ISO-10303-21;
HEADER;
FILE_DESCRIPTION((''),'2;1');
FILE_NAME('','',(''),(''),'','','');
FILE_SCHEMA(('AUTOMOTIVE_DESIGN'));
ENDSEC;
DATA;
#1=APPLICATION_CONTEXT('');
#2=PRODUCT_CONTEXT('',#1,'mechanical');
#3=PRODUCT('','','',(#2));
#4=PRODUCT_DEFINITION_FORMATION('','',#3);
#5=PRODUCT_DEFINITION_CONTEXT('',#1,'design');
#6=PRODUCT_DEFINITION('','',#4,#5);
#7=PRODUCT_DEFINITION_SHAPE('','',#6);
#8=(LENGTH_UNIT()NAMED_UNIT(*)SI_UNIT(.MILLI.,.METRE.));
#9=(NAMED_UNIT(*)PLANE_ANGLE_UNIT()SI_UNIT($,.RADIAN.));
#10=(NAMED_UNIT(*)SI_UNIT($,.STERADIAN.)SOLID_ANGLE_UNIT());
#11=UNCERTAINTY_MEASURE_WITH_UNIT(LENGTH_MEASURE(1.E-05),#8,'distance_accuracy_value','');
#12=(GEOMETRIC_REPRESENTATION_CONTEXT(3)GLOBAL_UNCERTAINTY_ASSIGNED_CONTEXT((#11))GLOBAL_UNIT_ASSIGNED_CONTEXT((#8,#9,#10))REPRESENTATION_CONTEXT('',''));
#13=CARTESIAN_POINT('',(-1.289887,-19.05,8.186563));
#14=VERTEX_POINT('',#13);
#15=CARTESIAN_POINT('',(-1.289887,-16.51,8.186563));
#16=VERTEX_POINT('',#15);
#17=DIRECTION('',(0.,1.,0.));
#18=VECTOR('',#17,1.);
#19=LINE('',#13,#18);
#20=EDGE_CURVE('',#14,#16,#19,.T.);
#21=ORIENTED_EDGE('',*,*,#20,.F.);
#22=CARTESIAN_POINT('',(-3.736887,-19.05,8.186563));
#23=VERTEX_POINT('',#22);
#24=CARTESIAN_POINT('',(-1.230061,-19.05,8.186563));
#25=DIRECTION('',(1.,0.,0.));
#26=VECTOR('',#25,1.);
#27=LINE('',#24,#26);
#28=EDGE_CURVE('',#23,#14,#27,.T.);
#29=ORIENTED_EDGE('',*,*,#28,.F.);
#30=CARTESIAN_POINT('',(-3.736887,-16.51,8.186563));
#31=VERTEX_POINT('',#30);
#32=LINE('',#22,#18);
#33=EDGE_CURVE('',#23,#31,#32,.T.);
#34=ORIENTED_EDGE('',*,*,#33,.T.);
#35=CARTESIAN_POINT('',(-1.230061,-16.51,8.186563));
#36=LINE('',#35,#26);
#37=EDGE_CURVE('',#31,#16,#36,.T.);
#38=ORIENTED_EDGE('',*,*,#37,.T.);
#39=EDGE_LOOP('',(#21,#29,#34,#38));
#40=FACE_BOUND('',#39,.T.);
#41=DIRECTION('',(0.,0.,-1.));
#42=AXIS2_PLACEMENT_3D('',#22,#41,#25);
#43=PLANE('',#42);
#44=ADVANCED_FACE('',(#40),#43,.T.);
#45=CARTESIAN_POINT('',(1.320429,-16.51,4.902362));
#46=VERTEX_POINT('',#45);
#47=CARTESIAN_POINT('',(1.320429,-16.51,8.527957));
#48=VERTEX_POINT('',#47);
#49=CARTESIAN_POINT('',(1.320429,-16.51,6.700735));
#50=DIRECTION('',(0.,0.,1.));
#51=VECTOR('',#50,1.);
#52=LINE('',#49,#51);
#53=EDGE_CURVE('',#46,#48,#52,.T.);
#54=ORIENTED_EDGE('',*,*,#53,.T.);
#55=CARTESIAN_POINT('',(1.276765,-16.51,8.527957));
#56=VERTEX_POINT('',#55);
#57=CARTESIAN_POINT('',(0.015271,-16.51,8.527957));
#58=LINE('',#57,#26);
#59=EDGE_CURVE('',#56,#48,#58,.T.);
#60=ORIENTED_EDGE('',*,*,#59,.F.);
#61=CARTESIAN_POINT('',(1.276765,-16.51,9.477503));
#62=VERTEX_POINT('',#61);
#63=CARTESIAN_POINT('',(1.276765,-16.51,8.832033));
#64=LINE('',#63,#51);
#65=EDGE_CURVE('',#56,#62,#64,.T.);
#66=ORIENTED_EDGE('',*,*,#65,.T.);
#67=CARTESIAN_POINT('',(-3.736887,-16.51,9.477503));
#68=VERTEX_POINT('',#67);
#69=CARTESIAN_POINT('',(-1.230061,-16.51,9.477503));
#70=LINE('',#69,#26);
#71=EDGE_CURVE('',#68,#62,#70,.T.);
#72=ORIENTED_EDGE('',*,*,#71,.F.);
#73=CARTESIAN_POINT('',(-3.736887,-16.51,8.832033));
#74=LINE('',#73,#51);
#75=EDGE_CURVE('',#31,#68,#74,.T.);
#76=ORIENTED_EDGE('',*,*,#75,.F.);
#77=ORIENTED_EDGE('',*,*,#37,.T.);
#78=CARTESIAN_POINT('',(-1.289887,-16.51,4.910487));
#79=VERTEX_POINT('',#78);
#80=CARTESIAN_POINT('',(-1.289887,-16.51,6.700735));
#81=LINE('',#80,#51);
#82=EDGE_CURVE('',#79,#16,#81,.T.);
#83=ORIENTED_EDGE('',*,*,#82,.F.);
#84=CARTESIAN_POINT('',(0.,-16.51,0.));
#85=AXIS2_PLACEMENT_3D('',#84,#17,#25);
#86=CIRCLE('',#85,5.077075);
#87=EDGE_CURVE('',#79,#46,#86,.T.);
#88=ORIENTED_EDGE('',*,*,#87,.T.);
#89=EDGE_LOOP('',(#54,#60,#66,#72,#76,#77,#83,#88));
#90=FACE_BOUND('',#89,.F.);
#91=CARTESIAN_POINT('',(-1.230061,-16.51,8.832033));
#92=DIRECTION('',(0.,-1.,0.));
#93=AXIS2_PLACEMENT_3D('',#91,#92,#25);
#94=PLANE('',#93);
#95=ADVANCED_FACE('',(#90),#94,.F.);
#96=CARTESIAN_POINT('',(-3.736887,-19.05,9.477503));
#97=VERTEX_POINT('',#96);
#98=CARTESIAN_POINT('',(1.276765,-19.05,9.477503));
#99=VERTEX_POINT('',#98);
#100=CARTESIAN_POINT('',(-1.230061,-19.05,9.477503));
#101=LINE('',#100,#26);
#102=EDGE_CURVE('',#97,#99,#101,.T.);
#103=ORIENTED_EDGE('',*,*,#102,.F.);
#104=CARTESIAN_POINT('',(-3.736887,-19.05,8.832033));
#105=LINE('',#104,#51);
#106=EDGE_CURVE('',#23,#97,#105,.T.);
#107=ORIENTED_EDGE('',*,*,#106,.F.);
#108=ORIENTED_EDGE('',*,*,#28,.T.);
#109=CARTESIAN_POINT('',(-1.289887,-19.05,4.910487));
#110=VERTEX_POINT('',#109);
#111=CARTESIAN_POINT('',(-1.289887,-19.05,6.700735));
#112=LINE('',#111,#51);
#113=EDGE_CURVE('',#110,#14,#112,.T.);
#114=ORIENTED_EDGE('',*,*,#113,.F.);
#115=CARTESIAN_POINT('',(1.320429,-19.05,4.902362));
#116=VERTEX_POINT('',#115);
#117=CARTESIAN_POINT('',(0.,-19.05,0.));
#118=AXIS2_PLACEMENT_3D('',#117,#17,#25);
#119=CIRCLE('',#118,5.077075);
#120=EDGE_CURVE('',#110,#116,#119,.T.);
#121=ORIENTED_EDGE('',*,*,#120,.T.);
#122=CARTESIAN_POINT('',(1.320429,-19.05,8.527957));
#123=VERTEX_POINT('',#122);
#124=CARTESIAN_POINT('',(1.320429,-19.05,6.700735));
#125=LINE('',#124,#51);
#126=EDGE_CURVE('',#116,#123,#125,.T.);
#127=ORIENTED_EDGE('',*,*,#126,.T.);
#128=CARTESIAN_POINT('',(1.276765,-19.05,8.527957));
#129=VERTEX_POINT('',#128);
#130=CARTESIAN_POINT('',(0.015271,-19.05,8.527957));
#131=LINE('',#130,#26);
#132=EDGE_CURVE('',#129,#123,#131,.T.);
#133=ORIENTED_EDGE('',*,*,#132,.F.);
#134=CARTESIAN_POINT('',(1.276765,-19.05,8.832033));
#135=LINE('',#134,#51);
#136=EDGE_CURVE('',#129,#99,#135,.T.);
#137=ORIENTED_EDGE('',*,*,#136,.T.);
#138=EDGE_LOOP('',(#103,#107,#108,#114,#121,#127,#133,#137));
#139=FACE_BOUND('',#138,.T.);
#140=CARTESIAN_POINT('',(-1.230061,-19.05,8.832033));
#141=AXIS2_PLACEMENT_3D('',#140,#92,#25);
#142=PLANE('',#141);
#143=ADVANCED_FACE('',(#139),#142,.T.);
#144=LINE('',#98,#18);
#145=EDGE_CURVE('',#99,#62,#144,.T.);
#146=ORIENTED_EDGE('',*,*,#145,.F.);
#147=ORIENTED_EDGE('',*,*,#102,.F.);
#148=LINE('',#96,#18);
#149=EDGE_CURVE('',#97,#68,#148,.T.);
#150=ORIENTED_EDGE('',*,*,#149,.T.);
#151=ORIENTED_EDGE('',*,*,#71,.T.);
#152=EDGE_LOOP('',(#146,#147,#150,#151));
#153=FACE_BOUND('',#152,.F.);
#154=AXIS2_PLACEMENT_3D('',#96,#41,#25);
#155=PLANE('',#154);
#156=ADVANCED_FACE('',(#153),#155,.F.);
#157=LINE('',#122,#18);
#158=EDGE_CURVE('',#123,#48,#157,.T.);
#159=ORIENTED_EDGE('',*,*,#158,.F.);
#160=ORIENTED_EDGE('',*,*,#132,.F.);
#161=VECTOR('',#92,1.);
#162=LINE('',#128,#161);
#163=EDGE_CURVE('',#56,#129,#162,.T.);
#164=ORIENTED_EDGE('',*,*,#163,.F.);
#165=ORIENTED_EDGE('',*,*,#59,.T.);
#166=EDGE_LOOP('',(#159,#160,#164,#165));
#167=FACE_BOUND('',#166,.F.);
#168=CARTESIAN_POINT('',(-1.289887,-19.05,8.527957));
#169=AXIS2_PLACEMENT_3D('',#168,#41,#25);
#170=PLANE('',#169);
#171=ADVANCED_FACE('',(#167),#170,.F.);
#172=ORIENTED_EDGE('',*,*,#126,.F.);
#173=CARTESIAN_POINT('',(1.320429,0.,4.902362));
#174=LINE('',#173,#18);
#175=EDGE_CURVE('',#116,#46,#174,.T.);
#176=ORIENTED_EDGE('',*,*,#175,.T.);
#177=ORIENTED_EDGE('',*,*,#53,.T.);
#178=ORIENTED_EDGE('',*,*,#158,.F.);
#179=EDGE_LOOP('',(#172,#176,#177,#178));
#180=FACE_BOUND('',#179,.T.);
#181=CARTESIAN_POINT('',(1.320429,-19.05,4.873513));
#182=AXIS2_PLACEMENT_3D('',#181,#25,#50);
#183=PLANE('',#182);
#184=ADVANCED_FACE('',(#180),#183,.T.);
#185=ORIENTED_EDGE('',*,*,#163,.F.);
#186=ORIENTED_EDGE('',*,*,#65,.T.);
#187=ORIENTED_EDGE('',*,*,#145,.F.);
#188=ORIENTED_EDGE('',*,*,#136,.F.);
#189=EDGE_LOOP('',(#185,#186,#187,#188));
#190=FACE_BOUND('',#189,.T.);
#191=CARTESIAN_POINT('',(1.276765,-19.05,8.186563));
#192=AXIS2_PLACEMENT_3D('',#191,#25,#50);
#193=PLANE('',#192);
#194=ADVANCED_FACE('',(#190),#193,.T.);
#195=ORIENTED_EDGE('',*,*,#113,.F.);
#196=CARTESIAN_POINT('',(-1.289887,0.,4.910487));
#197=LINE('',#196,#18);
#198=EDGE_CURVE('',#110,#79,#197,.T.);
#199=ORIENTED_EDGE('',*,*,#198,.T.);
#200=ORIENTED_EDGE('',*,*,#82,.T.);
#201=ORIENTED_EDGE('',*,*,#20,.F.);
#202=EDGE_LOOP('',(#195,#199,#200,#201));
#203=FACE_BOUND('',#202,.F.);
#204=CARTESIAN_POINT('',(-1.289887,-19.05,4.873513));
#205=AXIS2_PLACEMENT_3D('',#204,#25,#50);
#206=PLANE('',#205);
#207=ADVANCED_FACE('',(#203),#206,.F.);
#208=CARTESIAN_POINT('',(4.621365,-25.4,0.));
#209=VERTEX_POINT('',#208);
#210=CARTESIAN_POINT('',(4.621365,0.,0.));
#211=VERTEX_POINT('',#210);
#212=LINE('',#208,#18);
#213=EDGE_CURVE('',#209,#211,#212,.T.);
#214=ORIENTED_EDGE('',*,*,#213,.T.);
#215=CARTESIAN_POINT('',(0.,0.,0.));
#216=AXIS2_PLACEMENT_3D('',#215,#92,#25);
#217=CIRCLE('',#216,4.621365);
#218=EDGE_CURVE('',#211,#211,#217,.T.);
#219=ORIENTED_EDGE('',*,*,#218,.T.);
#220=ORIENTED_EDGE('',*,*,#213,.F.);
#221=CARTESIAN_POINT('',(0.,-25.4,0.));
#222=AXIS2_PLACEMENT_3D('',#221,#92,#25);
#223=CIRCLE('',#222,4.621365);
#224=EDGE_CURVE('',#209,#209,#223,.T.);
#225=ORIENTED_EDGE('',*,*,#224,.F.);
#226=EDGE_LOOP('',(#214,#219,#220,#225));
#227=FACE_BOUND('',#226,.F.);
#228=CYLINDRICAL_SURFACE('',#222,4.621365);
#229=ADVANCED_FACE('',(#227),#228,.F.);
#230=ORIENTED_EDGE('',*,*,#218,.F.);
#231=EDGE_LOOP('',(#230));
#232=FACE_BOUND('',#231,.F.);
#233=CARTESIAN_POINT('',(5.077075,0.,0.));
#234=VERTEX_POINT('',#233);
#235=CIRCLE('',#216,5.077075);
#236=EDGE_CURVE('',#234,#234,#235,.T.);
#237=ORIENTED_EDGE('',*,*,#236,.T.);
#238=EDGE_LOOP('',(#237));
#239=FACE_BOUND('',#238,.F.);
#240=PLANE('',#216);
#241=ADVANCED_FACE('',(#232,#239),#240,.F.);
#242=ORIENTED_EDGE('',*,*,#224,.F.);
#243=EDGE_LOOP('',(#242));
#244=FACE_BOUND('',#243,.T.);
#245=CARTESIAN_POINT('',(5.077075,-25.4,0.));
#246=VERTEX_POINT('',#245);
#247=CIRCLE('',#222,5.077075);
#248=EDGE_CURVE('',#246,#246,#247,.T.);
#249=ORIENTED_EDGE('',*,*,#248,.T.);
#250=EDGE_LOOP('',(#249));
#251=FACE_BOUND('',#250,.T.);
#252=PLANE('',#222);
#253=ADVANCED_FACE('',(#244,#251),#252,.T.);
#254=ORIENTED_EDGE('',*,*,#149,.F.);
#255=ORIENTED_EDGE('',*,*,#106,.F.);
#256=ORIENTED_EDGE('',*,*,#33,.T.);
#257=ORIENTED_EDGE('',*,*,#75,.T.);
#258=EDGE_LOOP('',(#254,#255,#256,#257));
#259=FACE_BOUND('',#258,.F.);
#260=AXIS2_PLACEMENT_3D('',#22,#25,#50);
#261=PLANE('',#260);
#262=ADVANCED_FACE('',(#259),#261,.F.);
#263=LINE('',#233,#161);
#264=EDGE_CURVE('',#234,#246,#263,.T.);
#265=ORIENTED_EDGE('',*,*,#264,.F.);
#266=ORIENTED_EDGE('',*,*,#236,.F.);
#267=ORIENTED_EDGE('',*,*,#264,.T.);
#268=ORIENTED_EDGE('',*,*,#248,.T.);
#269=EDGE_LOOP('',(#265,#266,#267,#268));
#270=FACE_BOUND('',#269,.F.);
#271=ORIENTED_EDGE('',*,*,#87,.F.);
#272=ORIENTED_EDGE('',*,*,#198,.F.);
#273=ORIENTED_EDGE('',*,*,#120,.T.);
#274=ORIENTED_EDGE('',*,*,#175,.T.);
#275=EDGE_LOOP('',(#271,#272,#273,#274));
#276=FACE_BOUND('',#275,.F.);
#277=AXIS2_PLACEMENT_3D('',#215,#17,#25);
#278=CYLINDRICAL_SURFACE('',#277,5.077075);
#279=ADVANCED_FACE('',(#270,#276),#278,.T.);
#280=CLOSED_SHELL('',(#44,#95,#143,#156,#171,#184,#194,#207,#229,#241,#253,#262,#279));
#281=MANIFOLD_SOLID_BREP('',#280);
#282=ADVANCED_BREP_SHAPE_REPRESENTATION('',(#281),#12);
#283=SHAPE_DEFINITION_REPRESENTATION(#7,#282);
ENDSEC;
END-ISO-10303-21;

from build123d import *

# Parameters (mm, degrees)
F0_R     = 5.077075
F1_DEPTH = 25.4
F2_R     = 4.621365
F3_DEPTH = 25.4
F5_W     = 2.610316
F5_H     = 3.654443
F6_DEPTH = 2.54
F7_W     = 5.013653
F7_H     = 1.290941
F8_DEPTH = 2.54


with BuildPart() as f1:
    # F0 (on Front) → F1 (new body)
    with BuildSketch(Plane.XZ):
        Circle(F0_R)
    extrude(amount=F1_DEPTH)

    # F2 (on face) → F3 (cut)
    with BuildSketch(Plane.XZ.offset(25.4)):
        Circle(F2_R)
    extrude(amount=-F3_DEPTH, mode=Mode.SUBTRACT)

    # F5 (on offset) → F6 (join)
    with BuildSketch(Plane.XZ.offset(19.05)):
        with Locations((0.015271, 6.700735)):
            Rectangle(F5_W, F5_H)
    extrude(amount=-F6_DEPTH)

    # F7 (on offset) → F8 (join)
    with BuildSketch(Plane.XZ.offset(19.05)):
        with Locations((-1.230061, 8.832033)):
            Rectangle(F7_W, F7_H)
    extrude(amount=-F8_DEPTH)


solid = f1.part
